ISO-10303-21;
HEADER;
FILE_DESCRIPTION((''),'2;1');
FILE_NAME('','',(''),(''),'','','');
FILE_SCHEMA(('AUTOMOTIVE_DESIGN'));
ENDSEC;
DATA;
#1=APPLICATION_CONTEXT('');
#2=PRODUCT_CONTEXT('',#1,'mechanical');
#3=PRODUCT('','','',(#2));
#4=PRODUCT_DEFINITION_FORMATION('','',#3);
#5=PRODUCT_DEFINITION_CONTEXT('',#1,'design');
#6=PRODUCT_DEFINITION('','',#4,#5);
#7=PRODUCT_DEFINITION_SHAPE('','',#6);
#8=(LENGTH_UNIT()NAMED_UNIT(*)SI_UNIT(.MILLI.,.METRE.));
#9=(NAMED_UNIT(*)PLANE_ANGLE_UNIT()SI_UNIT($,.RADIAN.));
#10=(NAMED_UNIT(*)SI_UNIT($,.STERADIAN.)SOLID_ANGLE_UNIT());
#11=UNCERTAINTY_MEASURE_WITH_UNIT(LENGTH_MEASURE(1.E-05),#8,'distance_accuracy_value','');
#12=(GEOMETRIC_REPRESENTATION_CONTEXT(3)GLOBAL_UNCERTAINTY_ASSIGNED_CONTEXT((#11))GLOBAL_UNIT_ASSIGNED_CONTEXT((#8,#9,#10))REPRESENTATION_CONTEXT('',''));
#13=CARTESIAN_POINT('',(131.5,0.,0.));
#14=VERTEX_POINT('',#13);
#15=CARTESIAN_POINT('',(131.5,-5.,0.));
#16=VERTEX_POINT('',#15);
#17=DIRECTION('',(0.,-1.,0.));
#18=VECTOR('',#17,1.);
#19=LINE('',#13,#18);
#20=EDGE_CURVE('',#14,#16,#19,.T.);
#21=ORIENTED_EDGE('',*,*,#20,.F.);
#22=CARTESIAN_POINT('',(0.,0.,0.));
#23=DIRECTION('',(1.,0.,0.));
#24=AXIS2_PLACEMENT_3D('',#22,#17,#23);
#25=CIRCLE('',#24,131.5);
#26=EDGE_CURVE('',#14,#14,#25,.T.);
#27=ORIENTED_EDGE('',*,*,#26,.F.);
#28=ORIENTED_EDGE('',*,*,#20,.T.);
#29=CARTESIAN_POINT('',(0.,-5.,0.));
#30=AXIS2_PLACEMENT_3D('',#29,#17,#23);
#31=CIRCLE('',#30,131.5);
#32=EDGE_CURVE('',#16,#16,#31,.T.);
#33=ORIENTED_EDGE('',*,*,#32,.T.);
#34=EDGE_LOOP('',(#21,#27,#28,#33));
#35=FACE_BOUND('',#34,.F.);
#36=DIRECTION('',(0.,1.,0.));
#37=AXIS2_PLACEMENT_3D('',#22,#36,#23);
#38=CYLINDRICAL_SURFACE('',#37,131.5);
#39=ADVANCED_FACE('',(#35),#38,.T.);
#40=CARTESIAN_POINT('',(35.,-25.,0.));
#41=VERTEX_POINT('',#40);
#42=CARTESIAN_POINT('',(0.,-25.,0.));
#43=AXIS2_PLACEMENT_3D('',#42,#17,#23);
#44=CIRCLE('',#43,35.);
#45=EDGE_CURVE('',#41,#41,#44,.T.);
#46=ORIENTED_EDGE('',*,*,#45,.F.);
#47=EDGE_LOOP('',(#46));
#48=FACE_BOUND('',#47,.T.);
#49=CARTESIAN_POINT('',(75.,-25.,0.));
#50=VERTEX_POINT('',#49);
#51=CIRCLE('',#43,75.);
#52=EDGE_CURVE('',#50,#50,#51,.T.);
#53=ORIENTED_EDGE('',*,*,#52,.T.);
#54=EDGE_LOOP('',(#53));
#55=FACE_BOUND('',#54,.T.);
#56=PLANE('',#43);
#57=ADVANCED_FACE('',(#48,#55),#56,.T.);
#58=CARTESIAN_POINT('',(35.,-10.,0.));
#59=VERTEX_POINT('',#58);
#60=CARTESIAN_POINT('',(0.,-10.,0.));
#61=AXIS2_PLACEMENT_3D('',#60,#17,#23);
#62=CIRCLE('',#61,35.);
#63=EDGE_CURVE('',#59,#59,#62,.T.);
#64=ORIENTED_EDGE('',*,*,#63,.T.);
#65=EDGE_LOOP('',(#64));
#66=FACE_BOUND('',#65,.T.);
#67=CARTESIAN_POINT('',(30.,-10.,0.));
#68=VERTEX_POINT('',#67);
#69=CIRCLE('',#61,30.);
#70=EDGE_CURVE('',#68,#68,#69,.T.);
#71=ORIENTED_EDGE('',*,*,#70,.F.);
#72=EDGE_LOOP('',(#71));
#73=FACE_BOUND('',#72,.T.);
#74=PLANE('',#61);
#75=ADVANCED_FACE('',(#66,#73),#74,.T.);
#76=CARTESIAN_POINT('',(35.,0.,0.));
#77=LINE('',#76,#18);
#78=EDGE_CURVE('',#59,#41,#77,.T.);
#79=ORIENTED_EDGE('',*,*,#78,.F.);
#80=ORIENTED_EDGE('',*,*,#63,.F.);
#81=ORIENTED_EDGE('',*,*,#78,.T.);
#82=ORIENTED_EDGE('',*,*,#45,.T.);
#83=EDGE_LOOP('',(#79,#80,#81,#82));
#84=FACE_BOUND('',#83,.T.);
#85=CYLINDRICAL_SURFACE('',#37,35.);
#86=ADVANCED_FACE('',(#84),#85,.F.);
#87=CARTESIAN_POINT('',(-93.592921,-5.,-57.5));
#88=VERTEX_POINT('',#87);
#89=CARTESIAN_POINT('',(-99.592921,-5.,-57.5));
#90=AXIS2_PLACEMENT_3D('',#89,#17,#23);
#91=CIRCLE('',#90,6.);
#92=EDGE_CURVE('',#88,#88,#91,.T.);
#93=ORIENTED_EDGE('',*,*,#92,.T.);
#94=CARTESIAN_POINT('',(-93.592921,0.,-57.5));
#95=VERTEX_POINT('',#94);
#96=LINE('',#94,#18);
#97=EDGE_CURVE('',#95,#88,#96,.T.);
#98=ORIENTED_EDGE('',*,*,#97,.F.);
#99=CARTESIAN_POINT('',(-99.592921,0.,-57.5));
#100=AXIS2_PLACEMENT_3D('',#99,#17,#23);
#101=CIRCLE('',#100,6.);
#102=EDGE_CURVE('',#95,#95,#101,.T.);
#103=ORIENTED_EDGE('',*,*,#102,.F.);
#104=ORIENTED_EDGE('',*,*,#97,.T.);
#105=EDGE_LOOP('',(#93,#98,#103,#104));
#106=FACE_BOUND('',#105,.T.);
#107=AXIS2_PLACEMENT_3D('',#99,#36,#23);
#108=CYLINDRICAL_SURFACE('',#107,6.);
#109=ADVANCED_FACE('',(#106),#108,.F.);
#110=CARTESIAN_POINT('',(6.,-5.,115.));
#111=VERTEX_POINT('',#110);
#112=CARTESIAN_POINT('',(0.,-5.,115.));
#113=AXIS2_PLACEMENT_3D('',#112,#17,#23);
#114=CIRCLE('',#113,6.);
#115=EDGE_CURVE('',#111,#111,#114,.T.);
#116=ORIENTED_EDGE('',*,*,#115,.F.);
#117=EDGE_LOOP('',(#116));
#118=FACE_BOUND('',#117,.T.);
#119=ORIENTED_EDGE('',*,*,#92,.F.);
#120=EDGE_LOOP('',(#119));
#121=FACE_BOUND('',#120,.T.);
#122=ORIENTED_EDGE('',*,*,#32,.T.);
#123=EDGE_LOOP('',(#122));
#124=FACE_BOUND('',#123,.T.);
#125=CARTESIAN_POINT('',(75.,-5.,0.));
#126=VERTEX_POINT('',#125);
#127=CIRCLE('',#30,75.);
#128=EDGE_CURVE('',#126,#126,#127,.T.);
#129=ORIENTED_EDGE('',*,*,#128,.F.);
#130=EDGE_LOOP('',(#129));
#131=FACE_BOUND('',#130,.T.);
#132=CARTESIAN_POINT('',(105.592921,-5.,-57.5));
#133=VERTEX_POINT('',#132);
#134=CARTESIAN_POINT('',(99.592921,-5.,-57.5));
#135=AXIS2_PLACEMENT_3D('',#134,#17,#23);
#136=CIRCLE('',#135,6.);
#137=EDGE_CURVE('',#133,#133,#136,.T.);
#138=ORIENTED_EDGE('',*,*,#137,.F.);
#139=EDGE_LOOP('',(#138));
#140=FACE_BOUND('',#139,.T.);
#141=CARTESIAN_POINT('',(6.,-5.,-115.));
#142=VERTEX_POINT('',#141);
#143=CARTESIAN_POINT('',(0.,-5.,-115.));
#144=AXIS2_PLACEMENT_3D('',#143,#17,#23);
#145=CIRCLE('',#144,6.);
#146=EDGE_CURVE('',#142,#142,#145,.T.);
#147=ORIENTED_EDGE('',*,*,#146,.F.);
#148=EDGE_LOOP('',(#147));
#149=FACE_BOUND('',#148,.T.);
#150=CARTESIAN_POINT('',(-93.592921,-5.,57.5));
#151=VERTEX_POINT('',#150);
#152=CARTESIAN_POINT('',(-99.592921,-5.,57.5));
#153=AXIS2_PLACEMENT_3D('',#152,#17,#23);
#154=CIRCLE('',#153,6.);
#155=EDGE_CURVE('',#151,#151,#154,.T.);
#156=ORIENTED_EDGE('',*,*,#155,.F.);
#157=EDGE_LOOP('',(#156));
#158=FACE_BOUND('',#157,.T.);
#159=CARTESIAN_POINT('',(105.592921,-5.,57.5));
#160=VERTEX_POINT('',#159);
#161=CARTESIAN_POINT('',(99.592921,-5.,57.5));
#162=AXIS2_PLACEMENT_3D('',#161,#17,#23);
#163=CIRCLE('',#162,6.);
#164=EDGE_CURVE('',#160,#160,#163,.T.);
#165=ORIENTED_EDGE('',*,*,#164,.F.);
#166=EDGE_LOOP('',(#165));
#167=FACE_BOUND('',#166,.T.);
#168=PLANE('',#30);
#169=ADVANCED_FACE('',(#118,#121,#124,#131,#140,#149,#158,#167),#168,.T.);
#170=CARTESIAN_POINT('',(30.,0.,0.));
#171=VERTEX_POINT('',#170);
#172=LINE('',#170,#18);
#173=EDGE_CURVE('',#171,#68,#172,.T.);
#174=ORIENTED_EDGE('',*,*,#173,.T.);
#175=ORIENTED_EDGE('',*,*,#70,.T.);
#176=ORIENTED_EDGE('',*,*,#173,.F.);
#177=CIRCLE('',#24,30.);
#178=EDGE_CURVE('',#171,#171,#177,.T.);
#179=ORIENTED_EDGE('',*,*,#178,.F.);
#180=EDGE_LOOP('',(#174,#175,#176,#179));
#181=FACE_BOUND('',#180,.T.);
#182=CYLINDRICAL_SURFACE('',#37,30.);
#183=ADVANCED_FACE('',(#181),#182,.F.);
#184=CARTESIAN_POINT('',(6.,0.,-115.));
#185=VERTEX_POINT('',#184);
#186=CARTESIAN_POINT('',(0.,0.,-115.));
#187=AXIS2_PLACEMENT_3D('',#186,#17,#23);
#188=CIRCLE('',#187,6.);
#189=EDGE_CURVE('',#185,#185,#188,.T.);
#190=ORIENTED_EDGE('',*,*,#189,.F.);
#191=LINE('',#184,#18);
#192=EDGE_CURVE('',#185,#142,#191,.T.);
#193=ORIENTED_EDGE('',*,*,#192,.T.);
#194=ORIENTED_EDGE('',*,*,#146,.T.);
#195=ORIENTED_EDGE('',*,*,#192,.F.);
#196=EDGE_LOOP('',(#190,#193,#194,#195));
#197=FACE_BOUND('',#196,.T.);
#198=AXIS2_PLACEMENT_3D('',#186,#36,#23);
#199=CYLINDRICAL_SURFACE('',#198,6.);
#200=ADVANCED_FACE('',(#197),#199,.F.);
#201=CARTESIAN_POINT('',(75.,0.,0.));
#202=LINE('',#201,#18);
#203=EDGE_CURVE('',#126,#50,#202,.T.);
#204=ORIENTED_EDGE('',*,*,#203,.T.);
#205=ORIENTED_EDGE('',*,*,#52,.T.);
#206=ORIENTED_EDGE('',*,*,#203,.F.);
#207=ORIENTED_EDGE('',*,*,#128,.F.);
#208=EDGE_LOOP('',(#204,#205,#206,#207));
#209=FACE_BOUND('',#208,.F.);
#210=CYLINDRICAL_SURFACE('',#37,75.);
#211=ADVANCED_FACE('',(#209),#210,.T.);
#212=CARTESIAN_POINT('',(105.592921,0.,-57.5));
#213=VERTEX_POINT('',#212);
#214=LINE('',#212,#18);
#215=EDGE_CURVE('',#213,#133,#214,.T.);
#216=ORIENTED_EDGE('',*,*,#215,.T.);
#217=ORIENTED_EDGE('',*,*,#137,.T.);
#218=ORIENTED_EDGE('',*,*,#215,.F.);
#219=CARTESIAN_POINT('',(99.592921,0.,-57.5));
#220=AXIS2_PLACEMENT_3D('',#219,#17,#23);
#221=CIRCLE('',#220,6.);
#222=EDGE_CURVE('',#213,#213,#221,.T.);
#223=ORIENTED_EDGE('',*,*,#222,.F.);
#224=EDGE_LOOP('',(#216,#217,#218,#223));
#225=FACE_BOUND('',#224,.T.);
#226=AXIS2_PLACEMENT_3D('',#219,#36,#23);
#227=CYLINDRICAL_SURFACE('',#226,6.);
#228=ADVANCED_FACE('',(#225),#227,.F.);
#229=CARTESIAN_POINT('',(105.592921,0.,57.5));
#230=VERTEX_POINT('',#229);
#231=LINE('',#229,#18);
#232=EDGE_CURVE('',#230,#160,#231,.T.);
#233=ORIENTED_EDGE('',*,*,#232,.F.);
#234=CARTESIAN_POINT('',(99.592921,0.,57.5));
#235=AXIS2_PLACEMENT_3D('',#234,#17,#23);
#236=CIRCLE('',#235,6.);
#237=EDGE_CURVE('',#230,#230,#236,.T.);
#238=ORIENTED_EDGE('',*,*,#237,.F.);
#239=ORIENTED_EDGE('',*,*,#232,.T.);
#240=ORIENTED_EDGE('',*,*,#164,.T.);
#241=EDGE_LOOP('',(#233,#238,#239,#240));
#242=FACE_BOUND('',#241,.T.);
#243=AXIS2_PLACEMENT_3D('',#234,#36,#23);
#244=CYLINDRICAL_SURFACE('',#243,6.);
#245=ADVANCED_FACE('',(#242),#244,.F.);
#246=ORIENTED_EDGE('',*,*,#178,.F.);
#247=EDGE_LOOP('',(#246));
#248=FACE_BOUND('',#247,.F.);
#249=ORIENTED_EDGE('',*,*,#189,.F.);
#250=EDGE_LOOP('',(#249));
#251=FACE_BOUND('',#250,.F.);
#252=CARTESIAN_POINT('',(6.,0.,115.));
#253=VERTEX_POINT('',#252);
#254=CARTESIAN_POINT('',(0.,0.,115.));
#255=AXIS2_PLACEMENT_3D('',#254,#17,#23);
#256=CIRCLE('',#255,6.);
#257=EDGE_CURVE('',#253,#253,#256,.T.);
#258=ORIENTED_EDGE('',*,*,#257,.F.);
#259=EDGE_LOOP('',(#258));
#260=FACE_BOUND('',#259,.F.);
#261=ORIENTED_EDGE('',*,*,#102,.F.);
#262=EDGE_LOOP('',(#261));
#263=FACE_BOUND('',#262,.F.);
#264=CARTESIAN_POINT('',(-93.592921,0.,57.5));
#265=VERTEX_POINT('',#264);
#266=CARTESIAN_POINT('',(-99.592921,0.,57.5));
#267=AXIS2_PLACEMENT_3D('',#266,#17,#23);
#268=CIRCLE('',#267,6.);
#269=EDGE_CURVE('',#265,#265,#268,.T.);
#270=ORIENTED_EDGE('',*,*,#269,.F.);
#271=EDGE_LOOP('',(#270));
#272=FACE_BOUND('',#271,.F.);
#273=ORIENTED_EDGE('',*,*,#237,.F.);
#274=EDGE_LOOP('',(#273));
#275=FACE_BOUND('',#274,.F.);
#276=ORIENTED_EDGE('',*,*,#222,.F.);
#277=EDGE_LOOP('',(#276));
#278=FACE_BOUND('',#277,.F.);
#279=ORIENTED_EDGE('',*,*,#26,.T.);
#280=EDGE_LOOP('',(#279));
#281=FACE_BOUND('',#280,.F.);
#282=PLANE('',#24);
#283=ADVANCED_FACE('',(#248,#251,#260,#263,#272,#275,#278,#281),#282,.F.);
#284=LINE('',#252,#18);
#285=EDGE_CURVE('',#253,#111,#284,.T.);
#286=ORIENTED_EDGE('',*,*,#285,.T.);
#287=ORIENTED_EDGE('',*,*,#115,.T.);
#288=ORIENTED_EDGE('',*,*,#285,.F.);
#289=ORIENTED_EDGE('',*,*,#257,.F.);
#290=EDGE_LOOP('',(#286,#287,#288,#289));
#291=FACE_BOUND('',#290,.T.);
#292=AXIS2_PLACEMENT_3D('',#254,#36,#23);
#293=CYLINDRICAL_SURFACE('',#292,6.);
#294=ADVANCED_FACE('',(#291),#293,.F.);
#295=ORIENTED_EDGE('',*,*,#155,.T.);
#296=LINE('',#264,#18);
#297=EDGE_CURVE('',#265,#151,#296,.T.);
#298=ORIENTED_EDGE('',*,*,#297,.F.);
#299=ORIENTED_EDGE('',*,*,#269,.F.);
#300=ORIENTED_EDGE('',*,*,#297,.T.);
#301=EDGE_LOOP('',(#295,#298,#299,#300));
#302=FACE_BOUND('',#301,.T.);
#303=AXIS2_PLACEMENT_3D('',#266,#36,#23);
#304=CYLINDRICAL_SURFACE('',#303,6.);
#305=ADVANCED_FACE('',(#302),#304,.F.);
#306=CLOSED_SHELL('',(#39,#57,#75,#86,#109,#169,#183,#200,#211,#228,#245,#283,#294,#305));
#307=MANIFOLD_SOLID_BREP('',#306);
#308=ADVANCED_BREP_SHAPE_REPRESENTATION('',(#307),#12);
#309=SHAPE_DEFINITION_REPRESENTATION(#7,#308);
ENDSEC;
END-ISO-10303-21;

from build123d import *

# Parameters (mm, degrees)
F0_R     = 131.5
F0_R_2   = 6
F0_R_3   = 75
F1_DEPTH = 5
F0_R_4   = 35
F2_DEPTH = 25
F0_R_5   = 30
F3_DEPTH = 10


with BuildPart() as f1:
    # F0 (on Front) → F1 (new body)
    with BuildSketch(Plane.XZ):
        Circle(F0_R)
        with Locations((-99.592921, -57.5)):
            Circle(F0_R_2, mode=Mode.SUBTRACT)
        with Locations((0, -115)):
            Circle(F0_R_2, mode=Mode.SUBTRACT)
        with Locations((99.592921, -57.5)):
            Circle(F0_R_2, mode=Mode.SUBTRACT)
        with Locations((-99.592921, 57.5)):
            Circle(F0_R_2, mode=Mode.SUBTRACT)
        Circle(F0_R_3, mode=Mode.SUBTRACT)
        with Locations((99.592921, 57.5)):
            Circle(F0_R_2, mode=Mode.SUBTRACT)
        with Locations((0, 115)):
            Circle(F0_R_2, mode=Mode.SUBTRACT)
    extrude(amount=F1_DEPTH)

    # F0 (on Front) → F2 (join)
    with BuildSketch(Plane.XZ):
        Circle(F0_R_3)
        Circle(F0_R_4, mode=Mode.SUBTRACT)
    extrude(amount=F2_DEPTH)

    # F0 (on Front) → F3 (join)
    with BuildSketch(Plane.XZ):
        Circle(F0_R_4)
        Circle(F0_R_5, mode=Mode.SUBTRACT)
    extrude(amount=F3_DEPTH)


solid = f1.part
